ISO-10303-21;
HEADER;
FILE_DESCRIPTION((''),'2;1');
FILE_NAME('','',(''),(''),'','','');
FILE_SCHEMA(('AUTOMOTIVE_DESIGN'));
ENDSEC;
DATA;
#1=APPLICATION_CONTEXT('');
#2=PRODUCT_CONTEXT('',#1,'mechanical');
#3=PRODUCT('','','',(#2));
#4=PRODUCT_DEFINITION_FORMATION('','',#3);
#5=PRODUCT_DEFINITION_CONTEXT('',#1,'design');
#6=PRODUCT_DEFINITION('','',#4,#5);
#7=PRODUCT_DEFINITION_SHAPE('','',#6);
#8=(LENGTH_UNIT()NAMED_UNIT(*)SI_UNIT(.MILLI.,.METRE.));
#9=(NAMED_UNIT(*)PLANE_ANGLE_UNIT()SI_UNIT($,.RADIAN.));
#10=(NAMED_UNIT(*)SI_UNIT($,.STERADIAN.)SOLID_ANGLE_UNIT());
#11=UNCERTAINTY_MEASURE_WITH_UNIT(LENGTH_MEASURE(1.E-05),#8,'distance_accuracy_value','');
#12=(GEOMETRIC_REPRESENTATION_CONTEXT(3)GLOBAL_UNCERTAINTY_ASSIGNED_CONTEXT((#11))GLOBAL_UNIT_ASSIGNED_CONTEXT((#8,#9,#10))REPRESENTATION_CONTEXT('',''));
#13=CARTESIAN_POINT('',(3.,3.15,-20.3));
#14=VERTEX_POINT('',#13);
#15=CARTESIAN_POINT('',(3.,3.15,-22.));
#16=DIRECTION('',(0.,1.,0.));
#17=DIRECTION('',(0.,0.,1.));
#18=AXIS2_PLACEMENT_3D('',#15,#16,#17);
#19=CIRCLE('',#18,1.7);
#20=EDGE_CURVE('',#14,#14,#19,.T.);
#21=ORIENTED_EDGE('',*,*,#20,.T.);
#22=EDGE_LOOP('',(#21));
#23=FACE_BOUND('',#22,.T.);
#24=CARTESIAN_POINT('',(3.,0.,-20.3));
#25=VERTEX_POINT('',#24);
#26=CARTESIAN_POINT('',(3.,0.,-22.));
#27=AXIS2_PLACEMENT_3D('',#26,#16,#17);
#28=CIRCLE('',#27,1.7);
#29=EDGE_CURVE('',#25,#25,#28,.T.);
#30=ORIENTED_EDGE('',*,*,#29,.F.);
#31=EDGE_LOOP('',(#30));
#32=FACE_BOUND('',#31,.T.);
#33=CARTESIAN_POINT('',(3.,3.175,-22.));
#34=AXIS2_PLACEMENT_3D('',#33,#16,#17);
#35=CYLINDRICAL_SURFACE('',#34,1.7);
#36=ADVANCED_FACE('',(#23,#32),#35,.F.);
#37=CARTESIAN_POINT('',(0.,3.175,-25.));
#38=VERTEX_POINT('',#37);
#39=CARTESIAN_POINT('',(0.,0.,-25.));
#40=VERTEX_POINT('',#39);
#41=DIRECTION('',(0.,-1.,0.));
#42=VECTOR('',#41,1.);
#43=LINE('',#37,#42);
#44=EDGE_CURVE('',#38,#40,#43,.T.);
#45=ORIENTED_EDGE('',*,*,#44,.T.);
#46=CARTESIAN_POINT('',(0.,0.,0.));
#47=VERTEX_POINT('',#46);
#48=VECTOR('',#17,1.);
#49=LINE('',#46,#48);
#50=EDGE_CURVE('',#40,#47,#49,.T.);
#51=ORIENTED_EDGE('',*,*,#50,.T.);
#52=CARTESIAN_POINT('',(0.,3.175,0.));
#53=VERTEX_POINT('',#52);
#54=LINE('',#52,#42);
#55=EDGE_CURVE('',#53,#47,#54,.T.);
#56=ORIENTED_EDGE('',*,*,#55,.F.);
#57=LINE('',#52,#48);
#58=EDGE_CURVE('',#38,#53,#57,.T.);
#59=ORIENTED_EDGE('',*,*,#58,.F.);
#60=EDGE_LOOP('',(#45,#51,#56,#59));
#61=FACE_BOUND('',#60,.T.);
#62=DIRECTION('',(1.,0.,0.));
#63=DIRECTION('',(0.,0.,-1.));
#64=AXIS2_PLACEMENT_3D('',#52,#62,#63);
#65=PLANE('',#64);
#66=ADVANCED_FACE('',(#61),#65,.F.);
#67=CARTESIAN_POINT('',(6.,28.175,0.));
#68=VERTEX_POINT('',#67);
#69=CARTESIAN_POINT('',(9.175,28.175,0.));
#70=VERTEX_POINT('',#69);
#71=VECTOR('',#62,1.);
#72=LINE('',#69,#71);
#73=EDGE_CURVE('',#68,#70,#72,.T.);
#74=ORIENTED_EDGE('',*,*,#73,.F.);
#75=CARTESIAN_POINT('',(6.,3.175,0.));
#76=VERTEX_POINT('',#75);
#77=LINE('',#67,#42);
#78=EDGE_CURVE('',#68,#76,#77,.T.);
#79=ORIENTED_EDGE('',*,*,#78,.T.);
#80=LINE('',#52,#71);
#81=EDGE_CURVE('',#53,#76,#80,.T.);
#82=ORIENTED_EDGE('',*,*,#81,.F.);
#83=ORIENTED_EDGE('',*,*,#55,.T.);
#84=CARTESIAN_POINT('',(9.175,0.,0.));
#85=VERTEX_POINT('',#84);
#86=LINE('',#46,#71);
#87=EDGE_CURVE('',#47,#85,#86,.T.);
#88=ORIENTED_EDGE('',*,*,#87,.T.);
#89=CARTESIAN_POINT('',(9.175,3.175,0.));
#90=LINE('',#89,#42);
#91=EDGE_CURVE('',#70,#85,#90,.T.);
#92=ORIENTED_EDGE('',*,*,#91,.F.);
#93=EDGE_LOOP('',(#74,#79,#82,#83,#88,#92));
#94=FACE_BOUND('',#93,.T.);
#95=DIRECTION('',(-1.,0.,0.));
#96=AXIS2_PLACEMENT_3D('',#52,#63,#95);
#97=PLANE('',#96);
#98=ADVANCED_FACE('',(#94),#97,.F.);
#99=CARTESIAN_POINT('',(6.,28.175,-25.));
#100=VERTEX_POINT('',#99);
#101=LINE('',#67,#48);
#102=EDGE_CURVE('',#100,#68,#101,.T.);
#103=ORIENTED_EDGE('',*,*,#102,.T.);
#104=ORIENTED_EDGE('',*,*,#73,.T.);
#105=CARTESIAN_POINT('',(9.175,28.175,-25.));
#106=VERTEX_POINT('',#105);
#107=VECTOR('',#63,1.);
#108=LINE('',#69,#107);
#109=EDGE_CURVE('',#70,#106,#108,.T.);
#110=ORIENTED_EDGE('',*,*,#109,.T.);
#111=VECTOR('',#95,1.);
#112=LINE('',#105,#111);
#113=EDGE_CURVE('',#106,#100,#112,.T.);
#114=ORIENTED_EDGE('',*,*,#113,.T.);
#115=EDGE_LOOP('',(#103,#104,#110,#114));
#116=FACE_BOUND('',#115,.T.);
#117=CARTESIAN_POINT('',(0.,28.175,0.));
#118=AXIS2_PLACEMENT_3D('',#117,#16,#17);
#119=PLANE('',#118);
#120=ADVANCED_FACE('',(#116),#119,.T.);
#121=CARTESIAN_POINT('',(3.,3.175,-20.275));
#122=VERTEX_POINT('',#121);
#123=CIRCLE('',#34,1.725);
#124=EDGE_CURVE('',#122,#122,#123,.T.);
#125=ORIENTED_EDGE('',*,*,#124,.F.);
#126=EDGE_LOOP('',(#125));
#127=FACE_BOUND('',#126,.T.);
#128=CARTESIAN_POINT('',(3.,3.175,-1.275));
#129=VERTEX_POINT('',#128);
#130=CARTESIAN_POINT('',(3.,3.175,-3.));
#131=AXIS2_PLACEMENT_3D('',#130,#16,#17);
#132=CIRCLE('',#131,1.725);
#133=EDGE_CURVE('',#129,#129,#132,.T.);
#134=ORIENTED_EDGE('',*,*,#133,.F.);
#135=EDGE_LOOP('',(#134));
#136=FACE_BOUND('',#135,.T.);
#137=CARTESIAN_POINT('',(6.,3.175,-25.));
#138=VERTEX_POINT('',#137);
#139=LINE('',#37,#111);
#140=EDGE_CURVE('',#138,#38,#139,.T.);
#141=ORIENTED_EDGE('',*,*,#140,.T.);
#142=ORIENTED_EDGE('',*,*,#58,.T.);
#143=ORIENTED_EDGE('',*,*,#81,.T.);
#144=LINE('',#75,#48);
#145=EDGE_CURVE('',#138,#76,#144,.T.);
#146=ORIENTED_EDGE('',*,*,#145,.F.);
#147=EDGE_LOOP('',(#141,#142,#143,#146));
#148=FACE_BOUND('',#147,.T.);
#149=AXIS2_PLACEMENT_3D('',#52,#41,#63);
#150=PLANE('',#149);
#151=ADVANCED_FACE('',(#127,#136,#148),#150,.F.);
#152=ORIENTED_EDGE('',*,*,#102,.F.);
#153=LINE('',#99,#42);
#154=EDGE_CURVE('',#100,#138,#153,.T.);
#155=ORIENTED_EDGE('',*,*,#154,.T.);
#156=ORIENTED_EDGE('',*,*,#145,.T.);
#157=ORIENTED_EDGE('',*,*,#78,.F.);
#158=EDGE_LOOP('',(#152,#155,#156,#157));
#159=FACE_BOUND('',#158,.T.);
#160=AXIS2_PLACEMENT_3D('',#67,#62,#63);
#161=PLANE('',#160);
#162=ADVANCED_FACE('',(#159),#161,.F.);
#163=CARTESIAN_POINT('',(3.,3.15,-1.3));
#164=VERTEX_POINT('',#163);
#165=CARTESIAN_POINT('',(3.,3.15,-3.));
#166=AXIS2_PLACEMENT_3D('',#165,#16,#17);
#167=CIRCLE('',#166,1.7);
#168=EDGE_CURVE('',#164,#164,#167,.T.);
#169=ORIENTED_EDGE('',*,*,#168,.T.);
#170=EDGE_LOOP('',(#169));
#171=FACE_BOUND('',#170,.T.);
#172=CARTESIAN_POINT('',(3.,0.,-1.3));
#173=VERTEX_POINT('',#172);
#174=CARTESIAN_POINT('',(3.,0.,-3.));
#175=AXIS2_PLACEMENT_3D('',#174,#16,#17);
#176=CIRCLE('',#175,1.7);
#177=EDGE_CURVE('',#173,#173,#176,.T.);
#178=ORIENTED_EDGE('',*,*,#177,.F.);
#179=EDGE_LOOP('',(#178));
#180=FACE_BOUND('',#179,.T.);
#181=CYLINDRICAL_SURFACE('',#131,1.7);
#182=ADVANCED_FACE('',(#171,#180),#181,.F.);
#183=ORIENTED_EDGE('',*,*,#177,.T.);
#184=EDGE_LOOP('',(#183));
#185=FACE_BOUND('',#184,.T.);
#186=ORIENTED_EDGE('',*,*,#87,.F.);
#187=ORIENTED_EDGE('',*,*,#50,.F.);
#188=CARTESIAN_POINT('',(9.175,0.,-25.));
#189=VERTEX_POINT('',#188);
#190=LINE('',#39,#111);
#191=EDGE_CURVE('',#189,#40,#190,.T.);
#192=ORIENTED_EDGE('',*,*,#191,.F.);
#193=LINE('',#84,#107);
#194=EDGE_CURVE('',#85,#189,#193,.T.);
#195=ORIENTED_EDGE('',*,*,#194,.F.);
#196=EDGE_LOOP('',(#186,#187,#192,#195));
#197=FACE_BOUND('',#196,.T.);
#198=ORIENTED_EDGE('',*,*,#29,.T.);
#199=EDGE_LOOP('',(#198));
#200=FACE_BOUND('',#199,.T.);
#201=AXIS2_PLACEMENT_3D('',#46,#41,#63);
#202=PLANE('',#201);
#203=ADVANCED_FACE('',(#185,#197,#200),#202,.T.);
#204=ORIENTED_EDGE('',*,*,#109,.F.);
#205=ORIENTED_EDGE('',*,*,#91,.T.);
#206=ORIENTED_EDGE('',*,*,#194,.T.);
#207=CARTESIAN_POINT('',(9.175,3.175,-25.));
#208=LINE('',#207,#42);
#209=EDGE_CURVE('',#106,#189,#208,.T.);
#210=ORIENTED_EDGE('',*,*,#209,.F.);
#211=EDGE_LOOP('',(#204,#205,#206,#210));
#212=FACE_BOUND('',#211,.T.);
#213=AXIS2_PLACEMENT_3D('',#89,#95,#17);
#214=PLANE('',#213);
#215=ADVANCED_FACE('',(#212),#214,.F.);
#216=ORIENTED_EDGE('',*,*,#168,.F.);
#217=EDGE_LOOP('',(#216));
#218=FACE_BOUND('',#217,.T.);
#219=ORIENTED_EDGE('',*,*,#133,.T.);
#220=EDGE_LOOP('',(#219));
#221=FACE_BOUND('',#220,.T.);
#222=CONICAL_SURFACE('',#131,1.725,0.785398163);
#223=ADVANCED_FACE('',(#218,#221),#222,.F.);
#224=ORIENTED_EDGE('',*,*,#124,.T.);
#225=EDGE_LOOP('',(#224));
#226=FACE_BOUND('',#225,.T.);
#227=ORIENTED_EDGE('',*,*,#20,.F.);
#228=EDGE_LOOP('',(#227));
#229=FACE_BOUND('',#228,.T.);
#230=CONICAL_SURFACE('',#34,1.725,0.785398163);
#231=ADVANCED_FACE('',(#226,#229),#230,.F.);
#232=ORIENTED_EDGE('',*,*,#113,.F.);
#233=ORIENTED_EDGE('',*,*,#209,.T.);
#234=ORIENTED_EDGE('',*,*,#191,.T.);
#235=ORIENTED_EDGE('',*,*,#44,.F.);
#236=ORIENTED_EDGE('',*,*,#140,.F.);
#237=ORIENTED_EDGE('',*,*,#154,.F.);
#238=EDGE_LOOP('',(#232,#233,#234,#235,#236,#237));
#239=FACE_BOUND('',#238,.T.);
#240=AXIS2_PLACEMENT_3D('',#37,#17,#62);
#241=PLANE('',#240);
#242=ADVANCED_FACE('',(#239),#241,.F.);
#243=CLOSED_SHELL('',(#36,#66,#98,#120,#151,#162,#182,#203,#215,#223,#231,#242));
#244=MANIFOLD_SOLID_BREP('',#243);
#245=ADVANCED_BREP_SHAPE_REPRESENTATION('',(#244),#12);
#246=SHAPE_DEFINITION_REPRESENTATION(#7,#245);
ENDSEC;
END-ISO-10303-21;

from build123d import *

# Parameters (mm, degrees)
SKETCH1_W                      = 9.175
SKETCH1_H                      = 25
BOSS_EXTRUDE1_DEPTH            = 3.175
SKETCH2_W                      = 3.175
SKETCH2_H                      = 25
BOSS_EXTRUDE2_DEPTH            = 25
M3_CLEARANCE_HOLE1_D           = 3.4
M3_CLEARANCE_HOLE1_CSINK_D     = 3.45
M3_CLEARANCE_HOLE1_CSINK_ANGLE = 90


with BuildPart() as part:
    # Sketch1 → Boss-Extrude1 (new body)
    with BuildSketch(Plane(origin=(0, 0, 0), x_dir=(1, 0, 0), z_dir=(0, 1, 0))):
        with Locations((4.5875, 12.5)):
            Rectangle(SKETCH1_W, SKETCH1_H)
    extrude(amount=BOSS_EXTRUDE1_DEPTH)

    # Sketch2 → Boss-Extrude2 (add)
    with BuildSketch(Plane(origin=(0, 3.175, 0), x_dir=(1, 0, 0), z_dir=(0, 1, 0))):
        with Locations((7.5875, 12.5)):
            Rectangle(SKETCH2_W, SKETCH2_H)
    extrude(amount=BOSS_EXTRUDE2_DEPTH)

    # M3 Clearance Hole1 (through all)
    with Locations(Plane(origin=(0, 3.175, 0), x_dir=(1, 0, 0), z_dir=(0, 1, 0))):
        with Locations((3, 22), (3, 3)):
            CounterSinkHole(M3_CLEARANCE_HOLE1_D / 2, M3_CLEARANCE_HOLE1_CSINK_D / 2, counter_sink_angle=M3_CLEARANCE_HOLE1_CSINK_ANGLE)


solid = part.part
